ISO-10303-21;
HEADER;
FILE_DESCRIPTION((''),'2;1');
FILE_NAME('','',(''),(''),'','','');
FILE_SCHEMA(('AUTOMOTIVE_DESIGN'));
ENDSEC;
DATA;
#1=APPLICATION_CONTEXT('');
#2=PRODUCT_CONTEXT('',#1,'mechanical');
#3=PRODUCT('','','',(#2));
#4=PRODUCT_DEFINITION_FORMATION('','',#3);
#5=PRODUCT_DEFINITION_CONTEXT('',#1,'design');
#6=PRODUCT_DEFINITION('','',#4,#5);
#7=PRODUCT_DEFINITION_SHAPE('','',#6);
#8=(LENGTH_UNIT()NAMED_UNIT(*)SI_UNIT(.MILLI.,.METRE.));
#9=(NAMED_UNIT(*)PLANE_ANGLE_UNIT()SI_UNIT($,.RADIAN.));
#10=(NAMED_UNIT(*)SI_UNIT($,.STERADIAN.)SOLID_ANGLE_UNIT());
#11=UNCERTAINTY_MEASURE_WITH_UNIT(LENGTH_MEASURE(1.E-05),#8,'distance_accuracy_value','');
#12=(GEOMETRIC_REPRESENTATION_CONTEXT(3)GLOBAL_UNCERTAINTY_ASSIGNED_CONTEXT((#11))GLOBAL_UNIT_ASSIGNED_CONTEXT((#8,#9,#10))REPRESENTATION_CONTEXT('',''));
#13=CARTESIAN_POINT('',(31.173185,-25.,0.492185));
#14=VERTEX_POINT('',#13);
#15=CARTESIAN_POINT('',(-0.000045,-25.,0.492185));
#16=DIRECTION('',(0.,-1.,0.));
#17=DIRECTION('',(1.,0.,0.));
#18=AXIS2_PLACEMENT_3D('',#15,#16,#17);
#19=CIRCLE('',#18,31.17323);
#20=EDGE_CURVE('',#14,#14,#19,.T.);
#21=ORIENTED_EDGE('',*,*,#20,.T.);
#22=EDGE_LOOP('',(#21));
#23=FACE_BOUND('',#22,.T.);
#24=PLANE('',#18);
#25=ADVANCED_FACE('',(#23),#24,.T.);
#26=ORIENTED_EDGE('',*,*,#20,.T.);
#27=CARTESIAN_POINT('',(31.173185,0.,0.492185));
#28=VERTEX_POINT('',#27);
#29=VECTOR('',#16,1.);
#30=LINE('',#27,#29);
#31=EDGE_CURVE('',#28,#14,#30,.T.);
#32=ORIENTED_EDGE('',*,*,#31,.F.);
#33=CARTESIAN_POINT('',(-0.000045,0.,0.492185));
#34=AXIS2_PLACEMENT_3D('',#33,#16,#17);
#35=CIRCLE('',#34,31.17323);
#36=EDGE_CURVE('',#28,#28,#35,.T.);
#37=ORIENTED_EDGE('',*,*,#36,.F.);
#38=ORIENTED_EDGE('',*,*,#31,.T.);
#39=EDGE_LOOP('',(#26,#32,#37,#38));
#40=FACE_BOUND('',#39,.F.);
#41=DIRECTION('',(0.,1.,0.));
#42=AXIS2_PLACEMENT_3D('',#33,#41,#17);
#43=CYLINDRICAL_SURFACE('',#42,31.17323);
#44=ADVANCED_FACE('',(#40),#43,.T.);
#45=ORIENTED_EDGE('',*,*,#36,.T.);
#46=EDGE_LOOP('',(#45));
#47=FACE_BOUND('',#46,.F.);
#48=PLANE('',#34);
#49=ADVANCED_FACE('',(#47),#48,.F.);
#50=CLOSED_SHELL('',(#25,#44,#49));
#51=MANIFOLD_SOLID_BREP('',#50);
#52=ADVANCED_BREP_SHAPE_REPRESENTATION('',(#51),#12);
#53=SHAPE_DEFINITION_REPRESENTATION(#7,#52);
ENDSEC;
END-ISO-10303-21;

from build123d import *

# Parameters (mm, degrees)
F0_R     = 31.17323
F1_DEPTH = 25


with BuildPart() as f1:
    # F0 (on Front) → F1 (new body)
    with BuildSketch(Plane.XZ):
        with Locations((-4.5e-05, 0.492185)):
            Circle(F0_R)
    extrude(amount=F1_DEPTH)


solid = f1.part
